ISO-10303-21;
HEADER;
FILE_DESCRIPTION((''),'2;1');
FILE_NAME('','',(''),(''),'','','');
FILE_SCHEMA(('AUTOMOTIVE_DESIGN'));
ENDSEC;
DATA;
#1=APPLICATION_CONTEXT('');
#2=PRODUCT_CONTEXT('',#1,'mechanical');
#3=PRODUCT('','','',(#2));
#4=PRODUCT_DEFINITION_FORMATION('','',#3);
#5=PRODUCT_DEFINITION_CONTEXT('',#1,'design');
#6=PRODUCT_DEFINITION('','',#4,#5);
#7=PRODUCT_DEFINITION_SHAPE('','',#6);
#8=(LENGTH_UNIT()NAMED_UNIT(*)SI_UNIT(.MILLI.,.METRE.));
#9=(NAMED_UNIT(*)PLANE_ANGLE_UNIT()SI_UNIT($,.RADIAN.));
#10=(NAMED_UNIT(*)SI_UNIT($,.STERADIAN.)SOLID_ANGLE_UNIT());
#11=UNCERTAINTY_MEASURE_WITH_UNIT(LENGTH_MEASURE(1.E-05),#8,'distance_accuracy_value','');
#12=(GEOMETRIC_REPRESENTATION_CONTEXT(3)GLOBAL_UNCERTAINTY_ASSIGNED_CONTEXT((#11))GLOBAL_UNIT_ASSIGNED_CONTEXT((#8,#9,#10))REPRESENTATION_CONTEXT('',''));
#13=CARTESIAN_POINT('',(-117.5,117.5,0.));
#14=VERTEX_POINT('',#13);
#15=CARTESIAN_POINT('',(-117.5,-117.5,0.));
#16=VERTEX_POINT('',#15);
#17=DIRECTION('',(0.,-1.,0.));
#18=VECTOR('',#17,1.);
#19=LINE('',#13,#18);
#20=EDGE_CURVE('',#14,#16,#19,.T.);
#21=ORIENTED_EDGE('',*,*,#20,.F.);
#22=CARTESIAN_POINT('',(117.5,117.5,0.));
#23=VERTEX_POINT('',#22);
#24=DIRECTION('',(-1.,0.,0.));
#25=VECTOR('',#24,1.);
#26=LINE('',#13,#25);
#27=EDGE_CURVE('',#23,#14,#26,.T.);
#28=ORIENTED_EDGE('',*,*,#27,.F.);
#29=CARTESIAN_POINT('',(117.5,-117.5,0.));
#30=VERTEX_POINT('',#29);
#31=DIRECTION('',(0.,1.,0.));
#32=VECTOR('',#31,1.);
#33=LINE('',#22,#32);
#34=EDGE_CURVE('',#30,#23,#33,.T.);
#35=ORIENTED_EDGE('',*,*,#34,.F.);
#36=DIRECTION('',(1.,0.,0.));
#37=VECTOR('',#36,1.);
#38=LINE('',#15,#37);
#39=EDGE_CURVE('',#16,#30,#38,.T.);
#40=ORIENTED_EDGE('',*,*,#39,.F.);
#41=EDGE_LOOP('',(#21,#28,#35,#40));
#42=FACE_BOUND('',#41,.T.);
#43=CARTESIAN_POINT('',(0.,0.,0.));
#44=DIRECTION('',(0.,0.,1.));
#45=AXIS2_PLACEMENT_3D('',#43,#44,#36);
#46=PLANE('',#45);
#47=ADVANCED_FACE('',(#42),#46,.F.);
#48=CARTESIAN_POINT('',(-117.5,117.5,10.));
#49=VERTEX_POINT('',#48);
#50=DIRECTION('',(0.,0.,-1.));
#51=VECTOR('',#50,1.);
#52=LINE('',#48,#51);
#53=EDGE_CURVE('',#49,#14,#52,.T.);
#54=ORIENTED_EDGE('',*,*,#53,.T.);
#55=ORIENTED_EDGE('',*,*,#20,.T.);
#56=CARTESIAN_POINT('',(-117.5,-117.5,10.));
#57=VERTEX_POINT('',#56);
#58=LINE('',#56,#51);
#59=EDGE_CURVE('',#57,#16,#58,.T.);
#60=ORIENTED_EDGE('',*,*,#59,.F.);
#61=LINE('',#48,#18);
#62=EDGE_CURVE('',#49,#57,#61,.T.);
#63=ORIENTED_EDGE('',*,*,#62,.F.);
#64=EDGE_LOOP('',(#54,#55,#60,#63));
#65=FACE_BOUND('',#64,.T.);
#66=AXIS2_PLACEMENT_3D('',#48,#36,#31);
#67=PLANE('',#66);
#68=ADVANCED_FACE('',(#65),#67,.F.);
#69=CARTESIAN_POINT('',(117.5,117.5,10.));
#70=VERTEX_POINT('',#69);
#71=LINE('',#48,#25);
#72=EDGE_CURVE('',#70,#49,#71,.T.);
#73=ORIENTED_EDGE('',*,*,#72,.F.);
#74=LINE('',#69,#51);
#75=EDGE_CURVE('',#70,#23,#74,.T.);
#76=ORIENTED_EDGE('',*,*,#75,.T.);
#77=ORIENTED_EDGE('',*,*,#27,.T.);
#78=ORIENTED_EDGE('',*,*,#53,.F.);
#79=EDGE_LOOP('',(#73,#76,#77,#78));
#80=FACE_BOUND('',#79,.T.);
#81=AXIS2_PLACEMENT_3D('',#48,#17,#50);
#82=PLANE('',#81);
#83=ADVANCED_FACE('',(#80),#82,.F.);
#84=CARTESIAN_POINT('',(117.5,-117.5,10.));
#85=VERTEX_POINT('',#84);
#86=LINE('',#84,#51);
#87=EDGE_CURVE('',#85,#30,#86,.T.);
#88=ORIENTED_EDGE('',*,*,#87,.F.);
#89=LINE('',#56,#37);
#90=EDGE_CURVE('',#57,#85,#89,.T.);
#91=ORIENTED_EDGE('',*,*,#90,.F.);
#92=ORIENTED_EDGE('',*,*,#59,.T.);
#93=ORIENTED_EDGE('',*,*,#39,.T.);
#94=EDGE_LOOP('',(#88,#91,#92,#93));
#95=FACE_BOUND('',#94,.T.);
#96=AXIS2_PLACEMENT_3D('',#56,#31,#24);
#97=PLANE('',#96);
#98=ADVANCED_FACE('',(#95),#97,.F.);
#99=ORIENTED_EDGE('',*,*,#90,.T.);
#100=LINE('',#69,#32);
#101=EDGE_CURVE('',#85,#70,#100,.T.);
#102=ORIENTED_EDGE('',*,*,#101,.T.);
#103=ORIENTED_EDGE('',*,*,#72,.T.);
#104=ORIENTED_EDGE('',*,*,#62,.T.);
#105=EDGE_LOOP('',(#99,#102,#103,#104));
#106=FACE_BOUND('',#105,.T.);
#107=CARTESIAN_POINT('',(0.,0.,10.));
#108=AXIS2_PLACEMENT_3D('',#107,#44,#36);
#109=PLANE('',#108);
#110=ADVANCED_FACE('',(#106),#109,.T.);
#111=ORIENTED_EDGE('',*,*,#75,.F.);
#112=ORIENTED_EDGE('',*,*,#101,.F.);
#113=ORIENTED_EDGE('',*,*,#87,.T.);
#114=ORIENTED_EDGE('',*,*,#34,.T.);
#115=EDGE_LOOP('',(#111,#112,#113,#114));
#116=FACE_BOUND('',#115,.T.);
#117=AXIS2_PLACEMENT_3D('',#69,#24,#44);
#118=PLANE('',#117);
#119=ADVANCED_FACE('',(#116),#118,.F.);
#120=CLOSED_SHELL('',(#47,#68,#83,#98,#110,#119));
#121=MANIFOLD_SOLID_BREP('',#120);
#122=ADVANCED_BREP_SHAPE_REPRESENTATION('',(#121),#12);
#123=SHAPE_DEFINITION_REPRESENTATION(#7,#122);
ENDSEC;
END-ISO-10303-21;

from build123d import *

# Parameters (mm, degrees)
IZIM1_W                     = 235
IZIM1_H                     = 235
Y_KSEKLIK_EKSTR_ZYON1_DEPTH = 10


with BuildPart() as part:
    # Çizim1 → Yükseklik-Ekstrüzyon1 (new body)
    with BuildSketch(Plane.XY):
        Rectangle(IZIM1_W, IZIM1_H)
    extrude(amount=Y_KSEKLIK_EKSTR_ZYON1_DEPTH)


solid = part.part
